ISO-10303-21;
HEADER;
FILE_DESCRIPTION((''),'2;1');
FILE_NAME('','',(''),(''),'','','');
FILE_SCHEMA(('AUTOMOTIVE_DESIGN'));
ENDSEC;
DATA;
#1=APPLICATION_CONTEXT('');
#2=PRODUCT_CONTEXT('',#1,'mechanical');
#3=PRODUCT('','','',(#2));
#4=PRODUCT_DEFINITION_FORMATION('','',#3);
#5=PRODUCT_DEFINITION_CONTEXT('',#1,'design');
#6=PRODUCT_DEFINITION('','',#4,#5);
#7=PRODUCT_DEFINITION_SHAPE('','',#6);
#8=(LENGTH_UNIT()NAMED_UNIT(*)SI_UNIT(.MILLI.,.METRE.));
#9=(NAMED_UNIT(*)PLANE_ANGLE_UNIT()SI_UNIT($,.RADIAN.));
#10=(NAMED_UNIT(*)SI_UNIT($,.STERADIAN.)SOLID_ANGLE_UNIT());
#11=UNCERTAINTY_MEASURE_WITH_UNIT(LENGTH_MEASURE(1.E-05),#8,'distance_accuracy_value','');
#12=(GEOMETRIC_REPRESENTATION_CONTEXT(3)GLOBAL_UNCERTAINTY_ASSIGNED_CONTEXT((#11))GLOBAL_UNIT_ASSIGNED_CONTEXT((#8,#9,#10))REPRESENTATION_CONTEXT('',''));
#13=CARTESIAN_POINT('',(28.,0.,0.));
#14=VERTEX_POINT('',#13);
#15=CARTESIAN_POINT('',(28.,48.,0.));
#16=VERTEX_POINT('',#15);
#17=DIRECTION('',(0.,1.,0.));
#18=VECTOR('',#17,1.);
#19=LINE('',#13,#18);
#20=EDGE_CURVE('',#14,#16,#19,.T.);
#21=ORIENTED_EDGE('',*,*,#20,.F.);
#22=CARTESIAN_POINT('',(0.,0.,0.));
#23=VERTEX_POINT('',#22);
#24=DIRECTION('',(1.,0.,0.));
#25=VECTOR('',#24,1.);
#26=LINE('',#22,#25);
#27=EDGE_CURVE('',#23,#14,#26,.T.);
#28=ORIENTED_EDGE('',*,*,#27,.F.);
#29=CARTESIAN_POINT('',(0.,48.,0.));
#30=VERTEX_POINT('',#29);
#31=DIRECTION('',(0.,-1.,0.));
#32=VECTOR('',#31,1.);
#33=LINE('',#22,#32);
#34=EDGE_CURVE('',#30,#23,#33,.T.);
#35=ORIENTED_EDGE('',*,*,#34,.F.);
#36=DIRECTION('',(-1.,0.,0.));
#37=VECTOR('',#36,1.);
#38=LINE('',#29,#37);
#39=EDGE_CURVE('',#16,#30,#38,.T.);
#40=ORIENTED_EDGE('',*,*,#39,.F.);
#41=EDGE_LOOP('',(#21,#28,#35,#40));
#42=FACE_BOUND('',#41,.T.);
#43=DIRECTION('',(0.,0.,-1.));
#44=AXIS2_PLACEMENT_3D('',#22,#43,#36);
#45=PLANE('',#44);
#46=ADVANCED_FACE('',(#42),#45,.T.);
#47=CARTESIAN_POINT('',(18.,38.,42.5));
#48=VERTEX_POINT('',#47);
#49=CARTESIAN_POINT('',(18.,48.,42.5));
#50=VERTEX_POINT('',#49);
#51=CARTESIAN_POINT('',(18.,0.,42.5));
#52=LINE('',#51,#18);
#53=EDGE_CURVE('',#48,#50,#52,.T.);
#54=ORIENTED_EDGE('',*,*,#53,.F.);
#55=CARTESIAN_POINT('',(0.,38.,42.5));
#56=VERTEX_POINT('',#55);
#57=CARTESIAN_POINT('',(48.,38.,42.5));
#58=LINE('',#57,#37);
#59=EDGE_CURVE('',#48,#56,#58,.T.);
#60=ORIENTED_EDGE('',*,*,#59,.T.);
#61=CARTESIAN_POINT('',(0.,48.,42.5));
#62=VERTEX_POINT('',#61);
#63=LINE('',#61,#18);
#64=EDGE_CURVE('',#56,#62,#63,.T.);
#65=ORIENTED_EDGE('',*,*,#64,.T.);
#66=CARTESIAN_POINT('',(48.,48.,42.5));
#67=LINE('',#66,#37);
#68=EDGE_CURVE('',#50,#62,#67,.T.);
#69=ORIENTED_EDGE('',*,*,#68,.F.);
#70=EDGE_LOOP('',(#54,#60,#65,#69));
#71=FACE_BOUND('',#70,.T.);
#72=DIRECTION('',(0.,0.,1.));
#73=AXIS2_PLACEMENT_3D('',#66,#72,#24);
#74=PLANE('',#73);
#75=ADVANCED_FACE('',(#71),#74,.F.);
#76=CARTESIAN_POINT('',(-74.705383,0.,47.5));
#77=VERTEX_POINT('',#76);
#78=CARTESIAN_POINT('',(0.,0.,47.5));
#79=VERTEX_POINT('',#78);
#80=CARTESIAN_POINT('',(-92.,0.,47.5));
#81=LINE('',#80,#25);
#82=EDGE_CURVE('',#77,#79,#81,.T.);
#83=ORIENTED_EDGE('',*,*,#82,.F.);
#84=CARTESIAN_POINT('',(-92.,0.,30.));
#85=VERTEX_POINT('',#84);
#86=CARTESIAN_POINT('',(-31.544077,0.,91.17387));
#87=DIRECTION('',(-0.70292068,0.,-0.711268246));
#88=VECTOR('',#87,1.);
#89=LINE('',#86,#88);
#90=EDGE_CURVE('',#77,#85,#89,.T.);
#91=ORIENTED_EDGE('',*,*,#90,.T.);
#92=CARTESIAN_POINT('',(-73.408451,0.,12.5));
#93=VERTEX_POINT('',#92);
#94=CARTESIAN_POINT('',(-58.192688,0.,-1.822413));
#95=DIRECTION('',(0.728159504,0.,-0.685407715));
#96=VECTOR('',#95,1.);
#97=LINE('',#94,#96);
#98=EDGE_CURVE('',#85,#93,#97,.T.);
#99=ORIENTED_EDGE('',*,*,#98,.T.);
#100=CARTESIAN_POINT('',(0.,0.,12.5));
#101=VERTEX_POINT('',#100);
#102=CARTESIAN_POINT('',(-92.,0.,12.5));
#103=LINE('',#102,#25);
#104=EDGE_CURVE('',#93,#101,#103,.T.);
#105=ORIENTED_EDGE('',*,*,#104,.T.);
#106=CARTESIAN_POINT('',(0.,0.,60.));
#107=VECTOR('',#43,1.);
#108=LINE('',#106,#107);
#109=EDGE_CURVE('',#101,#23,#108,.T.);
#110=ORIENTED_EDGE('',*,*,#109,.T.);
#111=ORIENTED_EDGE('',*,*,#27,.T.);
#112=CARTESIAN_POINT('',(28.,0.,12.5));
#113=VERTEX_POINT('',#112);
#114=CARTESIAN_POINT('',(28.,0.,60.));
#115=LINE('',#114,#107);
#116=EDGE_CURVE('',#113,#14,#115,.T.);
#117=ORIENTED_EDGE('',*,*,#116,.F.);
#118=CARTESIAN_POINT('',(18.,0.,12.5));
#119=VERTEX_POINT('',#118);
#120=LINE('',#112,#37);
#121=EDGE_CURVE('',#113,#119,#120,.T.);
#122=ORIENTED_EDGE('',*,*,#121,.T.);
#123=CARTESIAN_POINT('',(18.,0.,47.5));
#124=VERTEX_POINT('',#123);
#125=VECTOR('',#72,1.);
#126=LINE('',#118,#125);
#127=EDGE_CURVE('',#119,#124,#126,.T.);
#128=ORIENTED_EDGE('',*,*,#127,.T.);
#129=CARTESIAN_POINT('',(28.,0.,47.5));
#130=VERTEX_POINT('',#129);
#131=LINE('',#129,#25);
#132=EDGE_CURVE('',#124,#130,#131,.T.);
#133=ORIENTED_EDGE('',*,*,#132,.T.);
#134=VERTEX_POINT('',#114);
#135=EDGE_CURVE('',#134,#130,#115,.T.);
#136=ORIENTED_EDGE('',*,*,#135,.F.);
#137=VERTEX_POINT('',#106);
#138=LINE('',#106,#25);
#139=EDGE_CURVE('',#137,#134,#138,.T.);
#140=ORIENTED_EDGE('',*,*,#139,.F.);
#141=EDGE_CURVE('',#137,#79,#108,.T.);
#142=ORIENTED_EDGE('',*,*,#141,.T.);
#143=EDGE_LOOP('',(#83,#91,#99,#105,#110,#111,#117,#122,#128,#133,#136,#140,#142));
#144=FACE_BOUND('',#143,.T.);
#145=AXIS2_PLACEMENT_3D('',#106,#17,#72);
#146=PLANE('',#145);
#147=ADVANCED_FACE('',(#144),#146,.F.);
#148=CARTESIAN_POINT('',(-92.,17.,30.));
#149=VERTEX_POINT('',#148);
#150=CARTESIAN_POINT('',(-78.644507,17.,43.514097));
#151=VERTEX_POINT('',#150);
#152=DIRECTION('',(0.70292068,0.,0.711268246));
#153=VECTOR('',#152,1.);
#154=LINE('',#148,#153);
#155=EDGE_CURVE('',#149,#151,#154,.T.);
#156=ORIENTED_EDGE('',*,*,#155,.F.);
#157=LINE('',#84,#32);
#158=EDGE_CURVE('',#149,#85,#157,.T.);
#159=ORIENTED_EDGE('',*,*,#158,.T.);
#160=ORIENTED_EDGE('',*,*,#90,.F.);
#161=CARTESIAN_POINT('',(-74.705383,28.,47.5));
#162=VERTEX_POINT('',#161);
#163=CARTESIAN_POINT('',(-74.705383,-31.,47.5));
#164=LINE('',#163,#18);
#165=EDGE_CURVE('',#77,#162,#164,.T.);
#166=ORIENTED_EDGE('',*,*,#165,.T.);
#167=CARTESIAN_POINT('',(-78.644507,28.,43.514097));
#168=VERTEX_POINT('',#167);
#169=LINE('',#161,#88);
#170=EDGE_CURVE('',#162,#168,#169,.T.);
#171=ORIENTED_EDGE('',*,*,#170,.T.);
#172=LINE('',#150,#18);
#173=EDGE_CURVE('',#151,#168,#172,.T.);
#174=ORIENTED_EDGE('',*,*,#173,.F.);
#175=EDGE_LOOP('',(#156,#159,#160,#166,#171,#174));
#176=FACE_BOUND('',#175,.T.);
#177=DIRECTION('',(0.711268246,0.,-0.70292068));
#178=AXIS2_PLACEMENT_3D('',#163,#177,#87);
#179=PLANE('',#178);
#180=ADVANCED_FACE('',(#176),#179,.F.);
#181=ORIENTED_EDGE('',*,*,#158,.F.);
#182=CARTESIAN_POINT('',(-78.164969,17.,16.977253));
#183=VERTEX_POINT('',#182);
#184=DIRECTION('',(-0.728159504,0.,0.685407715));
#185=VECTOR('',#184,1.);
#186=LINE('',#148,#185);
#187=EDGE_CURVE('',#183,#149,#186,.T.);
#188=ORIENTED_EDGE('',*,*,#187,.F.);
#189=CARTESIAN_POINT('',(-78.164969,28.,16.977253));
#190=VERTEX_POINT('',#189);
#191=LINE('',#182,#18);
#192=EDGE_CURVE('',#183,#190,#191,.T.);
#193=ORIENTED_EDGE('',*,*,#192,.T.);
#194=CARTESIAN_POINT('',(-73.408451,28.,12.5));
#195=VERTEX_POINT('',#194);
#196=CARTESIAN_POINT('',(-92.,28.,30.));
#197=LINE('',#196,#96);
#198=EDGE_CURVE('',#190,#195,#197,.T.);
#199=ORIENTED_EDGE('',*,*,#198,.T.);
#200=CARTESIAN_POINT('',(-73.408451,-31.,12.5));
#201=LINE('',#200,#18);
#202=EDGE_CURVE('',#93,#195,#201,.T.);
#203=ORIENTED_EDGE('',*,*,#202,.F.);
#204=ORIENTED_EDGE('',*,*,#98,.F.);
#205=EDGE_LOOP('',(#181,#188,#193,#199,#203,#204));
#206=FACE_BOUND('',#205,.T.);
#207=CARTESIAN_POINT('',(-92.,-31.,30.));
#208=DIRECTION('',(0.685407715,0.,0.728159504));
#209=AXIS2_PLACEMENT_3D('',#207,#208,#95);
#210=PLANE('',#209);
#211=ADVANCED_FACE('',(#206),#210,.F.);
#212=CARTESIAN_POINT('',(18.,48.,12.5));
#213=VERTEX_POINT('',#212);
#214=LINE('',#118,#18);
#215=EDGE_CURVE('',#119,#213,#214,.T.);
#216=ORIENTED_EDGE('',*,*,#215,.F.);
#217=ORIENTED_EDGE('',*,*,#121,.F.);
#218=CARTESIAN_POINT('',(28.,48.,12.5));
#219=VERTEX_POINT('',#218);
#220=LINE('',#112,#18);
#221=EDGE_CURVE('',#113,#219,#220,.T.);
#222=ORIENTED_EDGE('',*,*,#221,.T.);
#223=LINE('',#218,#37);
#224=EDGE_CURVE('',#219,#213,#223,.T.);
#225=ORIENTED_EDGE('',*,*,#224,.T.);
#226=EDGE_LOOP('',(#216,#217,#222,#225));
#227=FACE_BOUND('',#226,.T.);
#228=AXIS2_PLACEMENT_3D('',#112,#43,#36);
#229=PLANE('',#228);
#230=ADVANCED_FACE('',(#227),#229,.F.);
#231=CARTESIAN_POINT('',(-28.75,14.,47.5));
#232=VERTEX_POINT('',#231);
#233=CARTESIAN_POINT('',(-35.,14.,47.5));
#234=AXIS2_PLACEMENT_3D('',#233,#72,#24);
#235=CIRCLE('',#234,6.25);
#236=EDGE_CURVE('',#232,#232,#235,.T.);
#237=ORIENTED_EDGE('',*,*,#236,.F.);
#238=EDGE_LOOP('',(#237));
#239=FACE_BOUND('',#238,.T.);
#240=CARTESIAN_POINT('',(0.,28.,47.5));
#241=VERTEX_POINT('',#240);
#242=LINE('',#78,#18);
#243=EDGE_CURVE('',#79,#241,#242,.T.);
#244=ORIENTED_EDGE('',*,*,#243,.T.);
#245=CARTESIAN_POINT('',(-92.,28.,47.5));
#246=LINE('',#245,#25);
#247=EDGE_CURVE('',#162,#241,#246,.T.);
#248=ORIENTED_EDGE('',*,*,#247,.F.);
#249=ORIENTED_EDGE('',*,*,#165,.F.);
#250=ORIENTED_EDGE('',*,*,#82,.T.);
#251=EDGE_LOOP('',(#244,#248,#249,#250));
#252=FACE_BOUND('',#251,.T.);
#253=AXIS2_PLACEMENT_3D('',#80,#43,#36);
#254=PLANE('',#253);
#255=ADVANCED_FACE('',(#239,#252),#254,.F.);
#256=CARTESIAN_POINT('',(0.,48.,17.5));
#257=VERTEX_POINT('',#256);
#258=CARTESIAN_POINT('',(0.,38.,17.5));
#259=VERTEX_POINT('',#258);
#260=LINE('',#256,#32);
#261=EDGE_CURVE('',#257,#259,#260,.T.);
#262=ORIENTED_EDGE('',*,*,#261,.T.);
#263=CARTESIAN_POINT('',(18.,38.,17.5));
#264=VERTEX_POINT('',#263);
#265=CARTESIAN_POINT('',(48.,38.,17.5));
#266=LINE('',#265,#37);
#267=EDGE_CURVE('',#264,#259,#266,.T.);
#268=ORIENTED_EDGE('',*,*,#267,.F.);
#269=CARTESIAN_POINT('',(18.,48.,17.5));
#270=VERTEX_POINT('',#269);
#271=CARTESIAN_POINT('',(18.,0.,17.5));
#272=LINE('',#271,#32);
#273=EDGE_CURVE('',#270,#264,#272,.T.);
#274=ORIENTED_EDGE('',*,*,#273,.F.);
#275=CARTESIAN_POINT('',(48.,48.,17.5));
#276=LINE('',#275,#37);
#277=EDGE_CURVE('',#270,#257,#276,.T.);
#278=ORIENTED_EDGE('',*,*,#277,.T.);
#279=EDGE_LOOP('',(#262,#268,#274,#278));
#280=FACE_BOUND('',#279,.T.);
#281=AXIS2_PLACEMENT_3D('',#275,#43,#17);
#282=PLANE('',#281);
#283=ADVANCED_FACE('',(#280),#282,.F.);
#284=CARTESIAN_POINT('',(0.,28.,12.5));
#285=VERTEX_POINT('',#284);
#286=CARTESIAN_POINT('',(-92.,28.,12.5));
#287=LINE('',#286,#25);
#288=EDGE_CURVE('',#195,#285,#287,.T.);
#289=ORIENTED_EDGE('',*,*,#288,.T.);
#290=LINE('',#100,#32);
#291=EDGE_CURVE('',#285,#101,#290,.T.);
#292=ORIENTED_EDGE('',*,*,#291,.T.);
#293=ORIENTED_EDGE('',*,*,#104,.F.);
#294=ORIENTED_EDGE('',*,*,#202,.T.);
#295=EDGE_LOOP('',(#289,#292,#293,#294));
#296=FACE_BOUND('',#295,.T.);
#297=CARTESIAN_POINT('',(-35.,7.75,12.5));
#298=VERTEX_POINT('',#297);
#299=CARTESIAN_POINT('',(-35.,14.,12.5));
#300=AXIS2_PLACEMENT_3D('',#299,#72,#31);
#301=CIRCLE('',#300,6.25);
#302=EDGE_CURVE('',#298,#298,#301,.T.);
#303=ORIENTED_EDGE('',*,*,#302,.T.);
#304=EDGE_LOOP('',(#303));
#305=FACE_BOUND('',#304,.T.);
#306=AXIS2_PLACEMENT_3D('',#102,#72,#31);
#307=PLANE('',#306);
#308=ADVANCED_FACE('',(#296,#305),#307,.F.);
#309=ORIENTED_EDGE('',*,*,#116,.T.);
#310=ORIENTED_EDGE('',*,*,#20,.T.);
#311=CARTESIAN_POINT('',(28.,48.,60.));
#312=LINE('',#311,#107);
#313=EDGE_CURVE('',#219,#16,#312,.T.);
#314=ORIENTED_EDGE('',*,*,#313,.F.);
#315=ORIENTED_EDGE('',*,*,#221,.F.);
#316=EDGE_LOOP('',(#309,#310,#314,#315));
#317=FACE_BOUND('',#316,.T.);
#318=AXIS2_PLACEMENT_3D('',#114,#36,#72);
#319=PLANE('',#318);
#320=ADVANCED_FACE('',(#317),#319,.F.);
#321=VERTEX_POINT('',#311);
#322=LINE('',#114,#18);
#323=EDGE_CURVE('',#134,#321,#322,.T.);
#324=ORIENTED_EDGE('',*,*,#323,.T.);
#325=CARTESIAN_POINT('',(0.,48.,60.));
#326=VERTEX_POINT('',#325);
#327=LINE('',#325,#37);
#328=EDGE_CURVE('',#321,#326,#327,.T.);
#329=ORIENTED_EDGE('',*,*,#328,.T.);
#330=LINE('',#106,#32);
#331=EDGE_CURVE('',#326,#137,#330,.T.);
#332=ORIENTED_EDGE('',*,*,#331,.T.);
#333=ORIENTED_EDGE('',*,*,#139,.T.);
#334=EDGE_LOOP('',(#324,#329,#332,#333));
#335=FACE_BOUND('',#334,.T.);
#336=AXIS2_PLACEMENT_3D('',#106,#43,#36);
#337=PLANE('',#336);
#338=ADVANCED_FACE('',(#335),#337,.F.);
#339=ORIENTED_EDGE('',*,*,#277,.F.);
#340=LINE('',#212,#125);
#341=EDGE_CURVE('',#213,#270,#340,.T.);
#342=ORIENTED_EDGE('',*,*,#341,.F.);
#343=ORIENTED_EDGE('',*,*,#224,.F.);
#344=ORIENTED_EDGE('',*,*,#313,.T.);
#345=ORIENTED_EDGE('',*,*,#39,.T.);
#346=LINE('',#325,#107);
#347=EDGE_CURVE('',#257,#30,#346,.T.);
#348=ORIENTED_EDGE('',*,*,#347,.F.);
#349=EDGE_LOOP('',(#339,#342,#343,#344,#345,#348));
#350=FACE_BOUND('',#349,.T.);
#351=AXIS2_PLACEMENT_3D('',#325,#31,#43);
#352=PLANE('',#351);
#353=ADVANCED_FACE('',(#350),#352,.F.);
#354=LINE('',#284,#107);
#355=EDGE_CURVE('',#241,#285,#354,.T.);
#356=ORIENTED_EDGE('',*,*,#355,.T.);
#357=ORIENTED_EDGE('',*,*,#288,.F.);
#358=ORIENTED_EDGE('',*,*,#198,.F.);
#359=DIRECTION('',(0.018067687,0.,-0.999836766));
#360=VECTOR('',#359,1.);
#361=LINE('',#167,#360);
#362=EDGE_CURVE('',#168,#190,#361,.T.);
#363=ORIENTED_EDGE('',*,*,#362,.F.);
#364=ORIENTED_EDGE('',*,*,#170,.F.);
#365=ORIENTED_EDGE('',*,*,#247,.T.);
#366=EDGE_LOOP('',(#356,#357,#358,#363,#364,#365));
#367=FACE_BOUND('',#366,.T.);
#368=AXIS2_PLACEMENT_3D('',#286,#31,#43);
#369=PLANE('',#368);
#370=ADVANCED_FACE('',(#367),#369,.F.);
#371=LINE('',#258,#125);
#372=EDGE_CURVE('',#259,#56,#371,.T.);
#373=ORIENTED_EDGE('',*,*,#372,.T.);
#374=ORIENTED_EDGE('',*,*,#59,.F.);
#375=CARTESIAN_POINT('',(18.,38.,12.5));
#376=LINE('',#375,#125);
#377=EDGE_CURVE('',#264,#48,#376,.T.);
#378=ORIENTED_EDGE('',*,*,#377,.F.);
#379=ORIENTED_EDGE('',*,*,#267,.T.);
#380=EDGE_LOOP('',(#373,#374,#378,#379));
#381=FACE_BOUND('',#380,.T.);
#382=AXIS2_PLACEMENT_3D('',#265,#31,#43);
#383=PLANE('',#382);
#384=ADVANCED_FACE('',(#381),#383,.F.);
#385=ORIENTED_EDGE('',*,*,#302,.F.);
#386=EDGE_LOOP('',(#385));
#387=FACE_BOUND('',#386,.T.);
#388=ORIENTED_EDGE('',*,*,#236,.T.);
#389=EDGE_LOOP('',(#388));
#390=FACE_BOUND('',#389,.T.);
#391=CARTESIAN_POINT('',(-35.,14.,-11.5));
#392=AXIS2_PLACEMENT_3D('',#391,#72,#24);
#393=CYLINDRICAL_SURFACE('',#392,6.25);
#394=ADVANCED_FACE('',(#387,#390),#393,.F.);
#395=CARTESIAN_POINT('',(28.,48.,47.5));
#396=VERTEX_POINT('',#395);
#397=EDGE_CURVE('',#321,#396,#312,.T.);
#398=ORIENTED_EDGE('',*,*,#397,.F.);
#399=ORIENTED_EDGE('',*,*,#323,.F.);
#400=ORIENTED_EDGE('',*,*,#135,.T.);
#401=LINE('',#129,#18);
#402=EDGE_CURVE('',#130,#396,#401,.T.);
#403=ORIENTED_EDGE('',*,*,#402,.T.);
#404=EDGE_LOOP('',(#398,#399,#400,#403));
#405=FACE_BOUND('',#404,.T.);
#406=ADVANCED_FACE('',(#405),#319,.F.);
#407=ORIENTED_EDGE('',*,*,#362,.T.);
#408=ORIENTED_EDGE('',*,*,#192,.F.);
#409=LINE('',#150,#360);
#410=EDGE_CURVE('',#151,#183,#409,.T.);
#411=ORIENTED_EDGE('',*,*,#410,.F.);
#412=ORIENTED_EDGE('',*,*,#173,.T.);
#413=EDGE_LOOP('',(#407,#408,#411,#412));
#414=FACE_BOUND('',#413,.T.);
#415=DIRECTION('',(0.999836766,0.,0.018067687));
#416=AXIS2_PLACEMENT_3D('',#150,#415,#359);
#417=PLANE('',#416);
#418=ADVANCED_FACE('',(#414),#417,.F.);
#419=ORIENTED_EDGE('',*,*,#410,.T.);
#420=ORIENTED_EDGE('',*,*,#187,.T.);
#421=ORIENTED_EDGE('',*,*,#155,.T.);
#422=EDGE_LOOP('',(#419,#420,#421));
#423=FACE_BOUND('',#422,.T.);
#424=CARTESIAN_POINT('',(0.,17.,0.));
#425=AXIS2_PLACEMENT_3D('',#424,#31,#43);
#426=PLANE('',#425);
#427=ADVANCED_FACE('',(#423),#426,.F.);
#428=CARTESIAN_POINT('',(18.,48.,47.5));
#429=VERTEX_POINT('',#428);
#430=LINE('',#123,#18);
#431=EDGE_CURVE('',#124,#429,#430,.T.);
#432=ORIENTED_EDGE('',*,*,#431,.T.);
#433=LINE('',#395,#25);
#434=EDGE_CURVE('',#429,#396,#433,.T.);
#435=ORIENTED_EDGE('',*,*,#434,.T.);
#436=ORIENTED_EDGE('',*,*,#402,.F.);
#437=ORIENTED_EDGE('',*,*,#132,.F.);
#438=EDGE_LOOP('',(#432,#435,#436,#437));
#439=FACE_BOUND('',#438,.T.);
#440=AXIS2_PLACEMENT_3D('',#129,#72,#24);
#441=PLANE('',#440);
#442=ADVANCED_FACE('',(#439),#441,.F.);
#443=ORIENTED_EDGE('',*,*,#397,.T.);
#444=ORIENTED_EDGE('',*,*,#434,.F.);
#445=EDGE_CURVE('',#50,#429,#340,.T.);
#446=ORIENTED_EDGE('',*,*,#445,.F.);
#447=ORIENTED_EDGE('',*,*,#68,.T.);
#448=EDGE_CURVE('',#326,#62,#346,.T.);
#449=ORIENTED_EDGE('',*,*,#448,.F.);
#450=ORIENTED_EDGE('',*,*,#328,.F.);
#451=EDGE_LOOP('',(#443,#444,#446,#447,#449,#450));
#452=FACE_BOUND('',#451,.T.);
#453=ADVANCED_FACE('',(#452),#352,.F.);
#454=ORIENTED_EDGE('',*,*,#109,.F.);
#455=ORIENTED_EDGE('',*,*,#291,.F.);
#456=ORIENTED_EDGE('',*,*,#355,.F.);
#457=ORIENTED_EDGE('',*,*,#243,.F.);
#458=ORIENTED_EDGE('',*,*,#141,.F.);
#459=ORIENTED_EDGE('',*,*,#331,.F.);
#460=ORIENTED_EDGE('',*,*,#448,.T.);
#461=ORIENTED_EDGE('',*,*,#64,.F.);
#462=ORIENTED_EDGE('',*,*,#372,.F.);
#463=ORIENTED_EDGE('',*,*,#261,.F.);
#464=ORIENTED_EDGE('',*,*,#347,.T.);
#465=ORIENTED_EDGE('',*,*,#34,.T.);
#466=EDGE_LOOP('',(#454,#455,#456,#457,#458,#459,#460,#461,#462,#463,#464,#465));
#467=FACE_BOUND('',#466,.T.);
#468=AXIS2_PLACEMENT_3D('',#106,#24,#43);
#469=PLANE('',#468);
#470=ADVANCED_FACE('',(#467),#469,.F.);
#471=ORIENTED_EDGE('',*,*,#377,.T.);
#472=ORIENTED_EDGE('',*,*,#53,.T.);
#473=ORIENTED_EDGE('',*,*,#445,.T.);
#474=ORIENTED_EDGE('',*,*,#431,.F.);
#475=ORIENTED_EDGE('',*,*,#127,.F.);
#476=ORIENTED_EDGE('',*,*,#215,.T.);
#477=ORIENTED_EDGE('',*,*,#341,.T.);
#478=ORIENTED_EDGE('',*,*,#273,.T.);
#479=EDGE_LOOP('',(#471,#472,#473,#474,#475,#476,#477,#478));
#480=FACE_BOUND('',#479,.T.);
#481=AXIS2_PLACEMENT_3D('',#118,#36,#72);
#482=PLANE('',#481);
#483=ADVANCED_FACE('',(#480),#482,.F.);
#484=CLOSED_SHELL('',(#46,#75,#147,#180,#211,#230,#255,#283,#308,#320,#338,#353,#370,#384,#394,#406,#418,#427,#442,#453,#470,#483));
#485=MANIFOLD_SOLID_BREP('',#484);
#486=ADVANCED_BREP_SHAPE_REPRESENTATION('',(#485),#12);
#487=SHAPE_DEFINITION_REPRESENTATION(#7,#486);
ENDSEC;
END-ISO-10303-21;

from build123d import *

# Parameters (mm, degrees)
SKETCH1_W           = 28
SKETCH1_H           = 48
BOSS_EXTRUDE3_DEPTH = 60
SKETCH6_W           = 10
SKETCH6_H           = 35
CUT_EXTRUDE7_DEPTH  = 48
SKETCH7_W           = 25
SKETCH7_H           = 10
CUT_EXTRUDE8_DEPTH  = 48
SKETCH8_W           = 35
SKETCH8_H           = 28
BOSS_EXTRUDE4_DEPTH = 92
SKETCH9_R           = 6.25
CUT_EXTRUDE9_DEPTH  = 59
CUT_EXTRUDE12_DEPTH = 59
CUT_EXTRUDE13_DEPTH = 59
CUT_EXTRUDE18_DEPTH = 11


with BuildPart() as part:
    # Sketch1 → Boss-Extrude3 (new body)
    with BuildSketch(Plane.XY):
        with Locations((14, 24)):
            Rectangle(SKETCH1_W, SKETCH1_H)
    extrude(amount=BOSS_EXTRUDE3_DEPTH)

    # Sketch6 → Cut-Extrude7 (cut)
    with BuildSketch(Plane(origin=(0, 48, 0), x_dir=(1, 0, 0), z_dir=(0, 1, 0))):
        with Locations((23, -30)):
            Rectangle(SKETCH6_W, SKETCH6_H)
    extrude(amount=-CUT_EXTRUDE7_DEPTH, mode=Mode.SUBTRACT)

    # Sketch7 → Cut-Extrude8 (cut)
    with BuildSketch(Plane.ZY):
        with Locations((30, 43)):
            Rectangle(SKETCH7_W, SKETCH7_H)
    extrude(amount=-CUT_EXTRUDE8_DEPTH, mode=Mode.SUBTRACT)

    # Sketch8 → Boss-Extrude4 (add)
    with BuildSketch(Plane.ZY):
        with Locations((30, 14)):
            Rectangle(SKETCH8_W, SKETCH8_H)
    extrude(amount=BOSS_EXTRUDE4_DEPTH)

    # Sketch9 → Cut-Extrude9 (cut)
    with BuildSketch(Plane.XY.offset(47.5)):
        with Locations((-35, 14)):
            Circle(SKETCH9_R)
    extrude(amount=-CUT_EXTRUDE9_DEPTH, mode=Mode.SUBTRACT)

    # Sketch16 → Cut-Extrude12 (cut)
    with BuildSketch(Plane(origin=(0, 28, 0), x_dir=(1, 0, 0), z_dir=(0, 1, 0))):
        Polygon((-92, -30), (-73.408450704, -12.5), (-92, -12.5), align=None)
    extrude(amount=-CUT_EXTRUDE12_DEPTH, mode=Mode.SUBTRACT)

    # Sketch17 → Cut-Extrude13 (cut)
    with BuildSketch(Plane(origin=(0, 28, 0), x_dir=(1, 0, 0), z_dir=(0, 1, 0))):
        Polygon((-92, -30), (-92, -47.5), (-74.705382998, -47.5), align=None)
    extrude(amount=-CUT_EXTRUDE13_DEPTH, mode=Mode.SUBTRACT)

    # Sketch18 → Cut-Extrude18 (cut)
    with BuildSketch(Plane(origin=(0, 28, 0), x_dir=(1, 0, 0), z_dir=(0, 1, 0))):
        Polygon((-92, -30), (-78.644507081, -43.514096673), (-78.164969417, -16.977253409), align=None)
    extrude(amount=-CUT_EXTRUDE18_DEPTH, mode=Mode.SUBTRACT)


solid = part.part
